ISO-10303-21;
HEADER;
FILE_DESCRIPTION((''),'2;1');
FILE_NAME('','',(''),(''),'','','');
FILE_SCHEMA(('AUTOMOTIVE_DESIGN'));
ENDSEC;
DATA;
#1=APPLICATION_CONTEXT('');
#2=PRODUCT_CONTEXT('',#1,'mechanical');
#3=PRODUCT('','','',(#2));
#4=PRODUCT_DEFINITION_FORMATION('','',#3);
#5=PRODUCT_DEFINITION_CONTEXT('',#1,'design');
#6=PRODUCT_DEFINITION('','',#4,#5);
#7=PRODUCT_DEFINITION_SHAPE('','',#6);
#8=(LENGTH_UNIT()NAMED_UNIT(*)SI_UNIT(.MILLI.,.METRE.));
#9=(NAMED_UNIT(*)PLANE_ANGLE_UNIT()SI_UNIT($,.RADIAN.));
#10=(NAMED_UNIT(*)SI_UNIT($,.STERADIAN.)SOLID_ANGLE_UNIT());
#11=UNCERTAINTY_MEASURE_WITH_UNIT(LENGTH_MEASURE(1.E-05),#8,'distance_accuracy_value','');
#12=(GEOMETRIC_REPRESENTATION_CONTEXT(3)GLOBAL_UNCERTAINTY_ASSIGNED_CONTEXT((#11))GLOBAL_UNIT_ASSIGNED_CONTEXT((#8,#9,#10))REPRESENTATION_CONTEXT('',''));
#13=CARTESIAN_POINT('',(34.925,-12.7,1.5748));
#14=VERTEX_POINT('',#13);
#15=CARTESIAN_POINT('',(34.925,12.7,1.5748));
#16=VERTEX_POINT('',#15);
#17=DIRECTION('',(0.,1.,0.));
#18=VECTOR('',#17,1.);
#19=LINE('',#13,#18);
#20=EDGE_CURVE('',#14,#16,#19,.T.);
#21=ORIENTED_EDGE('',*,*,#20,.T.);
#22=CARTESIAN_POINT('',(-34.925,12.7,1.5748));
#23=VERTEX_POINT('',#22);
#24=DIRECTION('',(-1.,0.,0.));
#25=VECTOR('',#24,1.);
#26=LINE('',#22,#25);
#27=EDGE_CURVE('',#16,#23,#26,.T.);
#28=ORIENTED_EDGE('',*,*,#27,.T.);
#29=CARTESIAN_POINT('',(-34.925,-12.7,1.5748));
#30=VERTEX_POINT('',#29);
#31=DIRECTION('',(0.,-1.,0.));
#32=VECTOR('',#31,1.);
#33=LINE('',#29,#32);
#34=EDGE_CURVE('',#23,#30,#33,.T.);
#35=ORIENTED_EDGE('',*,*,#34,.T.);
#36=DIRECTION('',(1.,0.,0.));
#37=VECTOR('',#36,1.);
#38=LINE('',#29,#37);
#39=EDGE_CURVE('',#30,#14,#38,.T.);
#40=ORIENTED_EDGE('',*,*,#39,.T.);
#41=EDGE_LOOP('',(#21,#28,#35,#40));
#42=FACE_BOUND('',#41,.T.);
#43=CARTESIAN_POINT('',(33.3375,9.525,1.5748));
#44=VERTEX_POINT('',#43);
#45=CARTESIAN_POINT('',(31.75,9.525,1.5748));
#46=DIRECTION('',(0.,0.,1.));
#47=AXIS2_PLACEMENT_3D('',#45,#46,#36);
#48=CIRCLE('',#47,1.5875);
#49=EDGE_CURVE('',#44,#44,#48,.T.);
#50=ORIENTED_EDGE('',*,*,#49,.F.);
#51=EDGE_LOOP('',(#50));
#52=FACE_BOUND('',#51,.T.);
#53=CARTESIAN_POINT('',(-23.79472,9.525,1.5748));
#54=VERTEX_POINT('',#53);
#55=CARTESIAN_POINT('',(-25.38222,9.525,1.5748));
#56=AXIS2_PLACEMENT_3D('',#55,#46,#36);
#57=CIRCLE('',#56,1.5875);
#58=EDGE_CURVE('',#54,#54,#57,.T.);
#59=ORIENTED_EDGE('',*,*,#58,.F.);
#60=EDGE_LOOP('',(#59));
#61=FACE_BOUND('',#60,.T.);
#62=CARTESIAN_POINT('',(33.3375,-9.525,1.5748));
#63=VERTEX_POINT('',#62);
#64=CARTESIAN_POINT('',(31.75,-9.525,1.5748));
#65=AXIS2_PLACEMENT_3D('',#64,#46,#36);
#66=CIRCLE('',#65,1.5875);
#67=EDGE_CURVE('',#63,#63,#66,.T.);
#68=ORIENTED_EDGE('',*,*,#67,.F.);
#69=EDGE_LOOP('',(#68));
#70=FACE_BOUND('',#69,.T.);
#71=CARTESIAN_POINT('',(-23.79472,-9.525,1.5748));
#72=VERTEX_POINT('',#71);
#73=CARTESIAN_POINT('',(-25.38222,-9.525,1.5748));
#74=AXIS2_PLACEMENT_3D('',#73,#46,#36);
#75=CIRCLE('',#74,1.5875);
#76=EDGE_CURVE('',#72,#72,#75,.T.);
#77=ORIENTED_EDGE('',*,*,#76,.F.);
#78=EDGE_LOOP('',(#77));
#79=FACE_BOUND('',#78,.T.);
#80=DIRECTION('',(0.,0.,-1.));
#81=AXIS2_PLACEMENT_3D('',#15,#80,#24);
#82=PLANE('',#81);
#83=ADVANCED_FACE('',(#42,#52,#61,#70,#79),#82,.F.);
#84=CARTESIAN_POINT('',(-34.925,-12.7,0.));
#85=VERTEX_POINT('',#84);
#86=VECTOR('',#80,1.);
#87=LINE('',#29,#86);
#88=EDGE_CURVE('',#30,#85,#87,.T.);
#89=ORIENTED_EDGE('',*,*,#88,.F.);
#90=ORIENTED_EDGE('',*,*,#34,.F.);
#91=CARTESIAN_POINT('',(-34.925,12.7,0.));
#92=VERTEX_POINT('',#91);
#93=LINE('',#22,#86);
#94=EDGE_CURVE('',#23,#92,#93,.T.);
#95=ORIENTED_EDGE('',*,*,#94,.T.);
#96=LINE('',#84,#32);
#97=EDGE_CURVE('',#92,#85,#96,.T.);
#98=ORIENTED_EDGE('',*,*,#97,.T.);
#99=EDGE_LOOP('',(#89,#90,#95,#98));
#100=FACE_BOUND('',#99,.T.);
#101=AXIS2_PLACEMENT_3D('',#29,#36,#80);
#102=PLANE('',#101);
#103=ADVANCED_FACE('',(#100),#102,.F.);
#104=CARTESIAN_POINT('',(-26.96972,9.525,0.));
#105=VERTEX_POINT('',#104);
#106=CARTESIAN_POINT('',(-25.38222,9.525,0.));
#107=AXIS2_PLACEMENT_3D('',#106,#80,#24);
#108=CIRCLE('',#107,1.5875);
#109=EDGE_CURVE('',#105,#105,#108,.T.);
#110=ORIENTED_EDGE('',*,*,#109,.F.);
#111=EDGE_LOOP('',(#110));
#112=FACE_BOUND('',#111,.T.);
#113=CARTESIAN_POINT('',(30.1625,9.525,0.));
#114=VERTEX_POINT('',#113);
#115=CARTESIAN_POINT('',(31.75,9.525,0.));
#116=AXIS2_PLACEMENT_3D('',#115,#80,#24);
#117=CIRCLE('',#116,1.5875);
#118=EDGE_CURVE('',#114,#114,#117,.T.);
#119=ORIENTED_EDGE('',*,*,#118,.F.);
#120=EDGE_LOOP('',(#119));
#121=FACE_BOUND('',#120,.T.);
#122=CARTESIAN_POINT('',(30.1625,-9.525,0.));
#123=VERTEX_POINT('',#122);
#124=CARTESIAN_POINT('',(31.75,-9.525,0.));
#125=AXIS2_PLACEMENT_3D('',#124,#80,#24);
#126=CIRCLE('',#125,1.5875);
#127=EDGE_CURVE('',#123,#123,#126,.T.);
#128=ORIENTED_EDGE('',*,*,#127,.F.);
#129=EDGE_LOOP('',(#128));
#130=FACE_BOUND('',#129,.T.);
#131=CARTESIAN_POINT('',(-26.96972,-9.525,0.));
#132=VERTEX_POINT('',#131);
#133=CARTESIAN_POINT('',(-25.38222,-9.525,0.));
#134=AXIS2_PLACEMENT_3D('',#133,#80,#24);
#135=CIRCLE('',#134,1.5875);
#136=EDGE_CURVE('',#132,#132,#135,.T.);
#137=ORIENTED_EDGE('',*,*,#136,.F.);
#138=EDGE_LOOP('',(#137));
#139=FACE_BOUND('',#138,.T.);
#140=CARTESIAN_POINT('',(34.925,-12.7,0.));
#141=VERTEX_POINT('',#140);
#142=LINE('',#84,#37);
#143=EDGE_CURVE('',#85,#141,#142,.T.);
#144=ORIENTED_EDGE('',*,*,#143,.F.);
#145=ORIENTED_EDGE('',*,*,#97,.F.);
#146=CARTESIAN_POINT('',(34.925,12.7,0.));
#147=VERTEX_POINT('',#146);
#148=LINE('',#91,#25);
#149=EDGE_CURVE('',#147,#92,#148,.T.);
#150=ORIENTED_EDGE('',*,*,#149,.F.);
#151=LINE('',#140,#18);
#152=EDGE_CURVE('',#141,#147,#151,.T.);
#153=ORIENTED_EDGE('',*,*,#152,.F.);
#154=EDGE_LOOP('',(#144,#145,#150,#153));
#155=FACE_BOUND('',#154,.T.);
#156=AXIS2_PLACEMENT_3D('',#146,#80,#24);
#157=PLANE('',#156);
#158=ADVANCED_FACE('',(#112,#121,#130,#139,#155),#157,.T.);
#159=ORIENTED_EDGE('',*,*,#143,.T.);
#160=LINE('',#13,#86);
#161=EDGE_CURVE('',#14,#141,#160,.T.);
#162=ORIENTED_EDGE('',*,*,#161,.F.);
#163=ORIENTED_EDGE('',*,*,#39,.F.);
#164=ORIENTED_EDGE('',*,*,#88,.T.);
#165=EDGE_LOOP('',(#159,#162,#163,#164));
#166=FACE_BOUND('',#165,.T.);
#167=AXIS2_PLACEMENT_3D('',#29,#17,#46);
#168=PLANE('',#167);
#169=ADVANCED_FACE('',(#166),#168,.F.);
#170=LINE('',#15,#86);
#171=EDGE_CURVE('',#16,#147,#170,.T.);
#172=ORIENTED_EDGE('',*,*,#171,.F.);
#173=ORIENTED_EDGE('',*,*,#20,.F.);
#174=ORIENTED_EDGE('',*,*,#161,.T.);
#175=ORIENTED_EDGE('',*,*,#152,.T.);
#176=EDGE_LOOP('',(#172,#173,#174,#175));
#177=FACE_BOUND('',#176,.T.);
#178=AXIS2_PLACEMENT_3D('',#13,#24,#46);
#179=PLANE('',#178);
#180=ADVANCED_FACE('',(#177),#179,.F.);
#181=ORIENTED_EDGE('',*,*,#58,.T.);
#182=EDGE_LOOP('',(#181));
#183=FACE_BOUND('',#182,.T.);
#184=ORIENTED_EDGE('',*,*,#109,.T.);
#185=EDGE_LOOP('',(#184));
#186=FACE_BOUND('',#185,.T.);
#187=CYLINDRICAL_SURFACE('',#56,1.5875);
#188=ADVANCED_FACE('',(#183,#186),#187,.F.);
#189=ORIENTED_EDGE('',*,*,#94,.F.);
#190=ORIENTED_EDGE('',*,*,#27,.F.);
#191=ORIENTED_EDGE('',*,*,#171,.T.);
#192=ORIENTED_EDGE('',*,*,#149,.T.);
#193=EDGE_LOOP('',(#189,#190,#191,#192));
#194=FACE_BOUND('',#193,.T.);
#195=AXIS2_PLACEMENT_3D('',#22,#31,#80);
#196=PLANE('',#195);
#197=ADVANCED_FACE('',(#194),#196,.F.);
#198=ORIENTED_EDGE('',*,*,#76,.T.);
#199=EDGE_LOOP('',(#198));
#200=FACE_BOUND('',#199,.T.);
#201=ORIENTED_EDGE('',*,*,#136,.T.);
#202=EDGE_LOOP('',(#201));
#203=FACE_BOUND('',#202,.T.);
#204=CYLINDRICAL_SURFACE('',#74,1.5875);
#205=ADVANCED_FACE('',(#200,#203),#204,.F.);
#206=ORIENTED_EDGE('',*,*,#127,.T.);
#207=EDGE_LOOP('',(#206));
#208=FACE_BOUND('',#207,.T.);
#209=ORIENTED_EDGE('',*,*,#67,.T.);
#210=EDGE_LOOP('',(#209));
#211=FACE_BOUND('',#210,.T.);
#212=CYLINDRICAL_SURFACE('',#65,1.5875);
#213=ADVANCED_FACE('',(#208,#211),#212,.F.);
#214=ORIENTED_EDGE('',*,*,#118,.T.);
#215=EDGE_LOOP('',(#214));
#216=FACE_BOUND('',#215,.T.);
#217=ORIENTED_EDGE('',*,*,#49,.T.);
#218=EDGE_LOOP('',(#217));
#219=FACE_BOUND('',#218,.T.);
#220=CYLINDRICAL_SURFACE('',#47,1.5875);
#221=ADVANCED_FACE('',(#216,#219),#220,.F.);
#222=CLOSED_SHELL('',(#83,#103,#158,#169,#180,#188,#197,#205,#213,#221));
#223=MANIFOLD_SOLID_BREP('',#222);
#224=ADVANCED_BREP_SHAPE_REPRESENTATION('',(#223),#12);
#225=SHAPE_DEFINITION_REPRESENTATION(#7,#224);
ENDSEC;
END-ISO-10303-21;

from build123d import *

# Parameters (mm, degrees)
SKETCH1_W                             = 69.85
SKETCH1_H                             = 25.4
EXTRUDE1_DEPTH                        = 1.5748
F_1_8_0_125_DIAMETER_HOLE1_AT_2_COUNT = 2
F_1_8_0_125_DIAMETER_HOLE1_AT_2_PITCH = 57.13222


with BuildPart() as part:
    # Sketch1 → Extrude1 (new body)
    with BuildSketch(Plane.XY):
        Rectangle(SKETCH1_W, SKETCH1_H)
    extrude(amount=EXTRUDE1_DEPTH)

    # Sketch3 → 1/8 (0.125) Diameter Hole1 (revolve, cut)
    with BuildSketch(Plane(origin=(-25.38222, 9.525, 1.5748), x_dir=(0, -1, 0), z_dir=(1, 0, 0))):
        Polygon((0, 0), (0, 16.955866233), (1.5875, 16.002), (1.5875, 0), align=None)
    f_1_8_0_125_diameter_hole1 = revolve(axis=Axis((-25.38222, 9.525, 7.9248), (0, 0, -1)), mode=Mode.SUBTRACT)

    # 1/8 (0.125) Diameter Hole1 at 2: 1/8 (0.125) Diameter Hole1 ×2
    with Locations(*[(i * F_1_8_0_125_DIAMETER_HOLE1_AT_2_PITCH, 0, 0) for i in range(1, F_1_8_0_125_DIAMETER_HOLE1_AT_2_COUNT)]):
        add(f_1_8_0_125_diameter_hole1, mode=Mode.SUBTRACT)

    # Mirror1: 1/8 (0.125) Diameter Hole1 across plane
    add(f_1_8_0_125_diameter_hole1.mirror(Plane.ZX), mode=Mode.SUBTRACT)

    # Mirror1 copy 1 sketch → Mirror1 copy 1 (revolve, cut)
    with BuildSketch(Plane(origin=(31.75, -9.525, 1.5748), x_dir=(0, 1, 0), z_dir=(1, 0, 0))):
        Polygon((0, 0), (0, -16.955866233), (1.5875, -16.002), (1.5875, 0), align=None)
    revolve(axis=Axis((31.75, -9.525, 7.9248), (0, 0, 1)), mode=Mode.SUBTRACT)


solid = part.part
